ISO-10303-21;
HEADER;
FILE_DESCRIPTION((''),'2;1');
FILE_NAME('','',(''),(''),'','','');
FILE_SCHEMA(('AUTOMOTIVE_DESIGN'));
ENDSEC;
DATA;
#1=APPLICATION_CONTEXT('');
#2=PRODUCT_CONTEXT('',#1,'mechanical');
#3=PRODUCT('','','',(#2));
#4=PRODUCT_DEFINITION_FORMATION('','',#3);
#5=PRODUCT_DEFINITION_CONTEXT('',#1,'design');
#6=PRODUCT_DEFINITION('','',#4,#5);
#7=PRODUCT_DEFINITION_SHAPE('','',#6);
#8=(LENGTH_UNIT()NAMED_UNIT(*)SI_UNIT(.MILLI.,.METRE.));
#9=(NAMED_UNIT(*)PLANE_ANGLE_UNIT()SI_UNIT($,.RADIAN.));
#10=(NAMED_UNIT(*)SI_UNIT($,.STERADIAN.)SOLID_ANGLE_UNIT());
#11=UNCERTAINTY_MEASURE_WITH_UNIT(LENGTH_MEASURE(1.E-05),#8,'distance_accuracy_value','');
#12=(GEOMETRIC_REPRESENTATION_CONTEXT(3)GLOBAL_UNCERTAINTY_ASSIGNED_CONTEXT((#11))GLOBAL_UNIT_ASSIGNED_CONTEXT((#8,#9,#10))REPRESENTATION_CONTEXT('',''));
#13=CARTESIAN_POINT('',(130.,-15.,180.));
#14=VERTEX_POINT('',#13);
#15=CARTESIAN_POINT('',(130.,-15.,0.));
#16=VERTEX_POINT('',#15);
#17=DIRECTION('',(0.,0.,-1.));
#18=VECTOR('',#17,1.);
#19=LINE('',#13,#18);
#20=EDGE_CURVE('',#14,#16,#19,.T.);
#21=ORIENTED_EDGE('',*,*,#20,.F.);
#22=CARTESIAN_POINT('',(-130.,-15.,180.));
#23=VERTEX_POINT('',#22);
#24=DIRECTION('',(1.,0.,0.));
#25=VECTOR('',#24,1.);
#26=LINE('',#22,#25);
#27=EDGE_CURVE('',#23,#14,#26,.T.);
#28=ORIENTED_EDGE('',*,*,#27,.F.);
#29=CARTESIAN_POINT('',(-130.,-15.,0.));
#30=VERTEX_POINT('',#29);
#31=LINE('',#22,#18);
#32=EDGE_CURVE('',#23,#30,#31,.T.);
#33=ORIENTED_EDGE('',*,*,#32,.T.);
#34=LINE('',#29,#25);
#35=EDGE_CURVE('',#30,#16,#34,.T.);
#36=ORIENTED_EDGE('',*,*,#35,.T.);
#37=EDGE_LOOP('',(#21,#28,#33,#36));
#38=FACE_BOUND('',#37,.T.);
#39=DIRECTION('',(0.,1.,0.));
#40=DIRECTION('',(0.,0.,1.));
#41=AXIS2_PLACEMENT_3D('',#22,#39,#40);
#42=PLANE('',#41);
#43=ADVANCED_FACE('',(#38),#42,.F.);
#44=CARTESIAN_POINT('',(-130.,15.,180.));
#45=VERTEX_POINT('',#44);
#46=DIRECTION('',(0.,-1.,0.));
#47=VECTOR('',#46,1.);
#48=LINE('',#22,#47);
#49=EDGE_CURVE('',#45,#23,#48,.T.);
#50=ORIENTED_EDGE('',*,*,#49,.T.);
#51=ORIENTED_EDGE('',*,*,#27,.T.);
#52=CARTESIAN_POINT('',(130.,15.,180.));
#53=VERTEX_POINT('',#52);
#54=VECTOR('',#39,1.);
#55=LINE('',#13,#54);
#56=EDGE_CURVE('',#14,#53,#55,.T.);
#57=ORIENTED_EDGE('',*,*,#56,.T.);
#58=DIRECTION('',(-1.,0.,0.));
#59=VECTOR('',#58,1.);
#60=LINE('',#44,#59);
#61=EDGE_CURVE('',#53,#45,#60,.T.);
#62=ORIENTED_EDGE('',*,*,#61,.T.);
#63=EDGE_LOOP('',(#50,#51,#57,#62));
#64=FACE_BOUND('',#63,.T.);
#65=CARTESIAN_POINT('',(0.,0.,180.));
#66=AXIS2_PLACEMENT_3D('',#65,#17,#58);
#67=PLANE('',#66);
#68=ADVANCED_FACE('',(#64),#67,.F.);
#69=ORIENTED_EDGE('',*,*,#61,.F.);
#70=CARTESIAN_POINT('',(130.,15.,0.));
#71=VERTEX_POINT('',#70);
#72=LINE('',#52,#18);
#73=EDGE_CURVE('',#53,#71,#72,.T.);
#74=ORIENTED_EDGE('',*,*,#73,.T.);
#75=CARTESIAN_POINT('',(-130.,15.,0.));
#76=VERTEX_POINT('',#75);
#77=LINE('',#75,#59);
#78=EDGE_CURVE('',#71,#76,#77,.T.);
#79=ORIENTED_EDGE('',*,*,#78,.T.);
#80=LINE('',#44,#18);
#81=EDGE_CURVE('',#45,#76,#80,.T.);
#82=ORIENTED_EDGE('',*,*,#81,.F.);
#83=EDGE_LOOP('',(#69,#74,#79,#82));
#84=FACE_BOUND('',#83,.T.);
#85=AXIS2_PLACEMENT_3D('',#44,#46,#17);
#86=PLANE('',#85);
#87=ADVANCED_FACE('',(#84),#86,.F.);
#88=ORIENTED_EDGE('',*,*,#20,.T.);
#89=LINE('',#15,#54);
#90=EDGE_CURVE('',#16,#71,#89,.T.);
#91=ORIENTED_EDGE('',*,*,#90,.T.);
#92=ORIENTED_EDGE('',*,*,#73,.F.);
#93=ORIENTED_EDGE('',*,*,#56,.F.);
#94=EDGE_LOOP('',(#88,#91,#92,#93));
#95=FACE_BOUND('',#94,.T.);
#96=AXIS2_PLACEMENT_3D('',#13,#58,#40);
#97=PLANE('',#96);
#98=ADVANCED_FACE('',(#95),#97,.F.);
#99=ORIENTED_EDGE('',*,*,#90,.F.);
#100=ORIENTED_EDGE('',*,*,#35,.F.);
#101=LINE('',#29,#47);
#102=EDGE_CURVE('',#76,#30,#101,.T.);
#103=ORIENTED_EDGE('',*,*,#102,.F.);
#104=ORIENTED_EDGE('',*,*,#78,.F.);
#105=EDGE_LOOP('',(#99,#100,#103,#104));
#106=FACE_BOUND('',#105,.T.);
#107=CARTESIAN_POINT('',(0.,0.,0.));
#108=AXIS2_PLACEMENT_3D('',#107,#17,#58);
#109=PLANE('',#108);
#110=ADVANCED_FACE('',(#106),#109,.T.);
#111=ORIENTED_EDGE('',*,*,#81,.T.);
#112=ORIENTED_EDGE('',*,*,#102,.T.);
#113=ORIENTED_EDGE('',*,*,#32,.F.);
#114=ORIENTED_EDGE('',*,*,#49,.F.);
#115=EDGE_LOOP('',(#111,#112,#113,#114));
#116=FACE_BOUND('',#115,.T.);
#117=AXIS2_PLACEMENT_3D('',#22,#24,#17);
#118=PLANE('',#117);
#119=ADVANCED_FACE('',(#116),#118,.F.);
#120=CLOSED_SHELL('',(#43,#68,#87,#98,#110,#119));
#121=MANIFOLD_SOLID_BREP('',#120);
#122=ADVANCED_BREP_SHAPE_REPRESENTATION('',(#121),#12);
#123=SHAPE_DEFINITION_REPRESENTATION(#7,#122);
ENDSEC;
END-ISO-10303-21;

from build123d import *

# Parameters (mm, degrees)
SKETCH_1_W      = 260
SKETCH_1_H      = 30
EXTRUDE_1_DEPTH = 180


with BuildPart() as part:
    # 草图1 → 凸台-拉伸1 (new body)
    with BuildSketch(Plane.XY):
        Rectangle(SKETCH_1_W, SKETCH_1_H)
    extrude(amount=EXTRUDE_1_DEPTH)


solid = part.part
